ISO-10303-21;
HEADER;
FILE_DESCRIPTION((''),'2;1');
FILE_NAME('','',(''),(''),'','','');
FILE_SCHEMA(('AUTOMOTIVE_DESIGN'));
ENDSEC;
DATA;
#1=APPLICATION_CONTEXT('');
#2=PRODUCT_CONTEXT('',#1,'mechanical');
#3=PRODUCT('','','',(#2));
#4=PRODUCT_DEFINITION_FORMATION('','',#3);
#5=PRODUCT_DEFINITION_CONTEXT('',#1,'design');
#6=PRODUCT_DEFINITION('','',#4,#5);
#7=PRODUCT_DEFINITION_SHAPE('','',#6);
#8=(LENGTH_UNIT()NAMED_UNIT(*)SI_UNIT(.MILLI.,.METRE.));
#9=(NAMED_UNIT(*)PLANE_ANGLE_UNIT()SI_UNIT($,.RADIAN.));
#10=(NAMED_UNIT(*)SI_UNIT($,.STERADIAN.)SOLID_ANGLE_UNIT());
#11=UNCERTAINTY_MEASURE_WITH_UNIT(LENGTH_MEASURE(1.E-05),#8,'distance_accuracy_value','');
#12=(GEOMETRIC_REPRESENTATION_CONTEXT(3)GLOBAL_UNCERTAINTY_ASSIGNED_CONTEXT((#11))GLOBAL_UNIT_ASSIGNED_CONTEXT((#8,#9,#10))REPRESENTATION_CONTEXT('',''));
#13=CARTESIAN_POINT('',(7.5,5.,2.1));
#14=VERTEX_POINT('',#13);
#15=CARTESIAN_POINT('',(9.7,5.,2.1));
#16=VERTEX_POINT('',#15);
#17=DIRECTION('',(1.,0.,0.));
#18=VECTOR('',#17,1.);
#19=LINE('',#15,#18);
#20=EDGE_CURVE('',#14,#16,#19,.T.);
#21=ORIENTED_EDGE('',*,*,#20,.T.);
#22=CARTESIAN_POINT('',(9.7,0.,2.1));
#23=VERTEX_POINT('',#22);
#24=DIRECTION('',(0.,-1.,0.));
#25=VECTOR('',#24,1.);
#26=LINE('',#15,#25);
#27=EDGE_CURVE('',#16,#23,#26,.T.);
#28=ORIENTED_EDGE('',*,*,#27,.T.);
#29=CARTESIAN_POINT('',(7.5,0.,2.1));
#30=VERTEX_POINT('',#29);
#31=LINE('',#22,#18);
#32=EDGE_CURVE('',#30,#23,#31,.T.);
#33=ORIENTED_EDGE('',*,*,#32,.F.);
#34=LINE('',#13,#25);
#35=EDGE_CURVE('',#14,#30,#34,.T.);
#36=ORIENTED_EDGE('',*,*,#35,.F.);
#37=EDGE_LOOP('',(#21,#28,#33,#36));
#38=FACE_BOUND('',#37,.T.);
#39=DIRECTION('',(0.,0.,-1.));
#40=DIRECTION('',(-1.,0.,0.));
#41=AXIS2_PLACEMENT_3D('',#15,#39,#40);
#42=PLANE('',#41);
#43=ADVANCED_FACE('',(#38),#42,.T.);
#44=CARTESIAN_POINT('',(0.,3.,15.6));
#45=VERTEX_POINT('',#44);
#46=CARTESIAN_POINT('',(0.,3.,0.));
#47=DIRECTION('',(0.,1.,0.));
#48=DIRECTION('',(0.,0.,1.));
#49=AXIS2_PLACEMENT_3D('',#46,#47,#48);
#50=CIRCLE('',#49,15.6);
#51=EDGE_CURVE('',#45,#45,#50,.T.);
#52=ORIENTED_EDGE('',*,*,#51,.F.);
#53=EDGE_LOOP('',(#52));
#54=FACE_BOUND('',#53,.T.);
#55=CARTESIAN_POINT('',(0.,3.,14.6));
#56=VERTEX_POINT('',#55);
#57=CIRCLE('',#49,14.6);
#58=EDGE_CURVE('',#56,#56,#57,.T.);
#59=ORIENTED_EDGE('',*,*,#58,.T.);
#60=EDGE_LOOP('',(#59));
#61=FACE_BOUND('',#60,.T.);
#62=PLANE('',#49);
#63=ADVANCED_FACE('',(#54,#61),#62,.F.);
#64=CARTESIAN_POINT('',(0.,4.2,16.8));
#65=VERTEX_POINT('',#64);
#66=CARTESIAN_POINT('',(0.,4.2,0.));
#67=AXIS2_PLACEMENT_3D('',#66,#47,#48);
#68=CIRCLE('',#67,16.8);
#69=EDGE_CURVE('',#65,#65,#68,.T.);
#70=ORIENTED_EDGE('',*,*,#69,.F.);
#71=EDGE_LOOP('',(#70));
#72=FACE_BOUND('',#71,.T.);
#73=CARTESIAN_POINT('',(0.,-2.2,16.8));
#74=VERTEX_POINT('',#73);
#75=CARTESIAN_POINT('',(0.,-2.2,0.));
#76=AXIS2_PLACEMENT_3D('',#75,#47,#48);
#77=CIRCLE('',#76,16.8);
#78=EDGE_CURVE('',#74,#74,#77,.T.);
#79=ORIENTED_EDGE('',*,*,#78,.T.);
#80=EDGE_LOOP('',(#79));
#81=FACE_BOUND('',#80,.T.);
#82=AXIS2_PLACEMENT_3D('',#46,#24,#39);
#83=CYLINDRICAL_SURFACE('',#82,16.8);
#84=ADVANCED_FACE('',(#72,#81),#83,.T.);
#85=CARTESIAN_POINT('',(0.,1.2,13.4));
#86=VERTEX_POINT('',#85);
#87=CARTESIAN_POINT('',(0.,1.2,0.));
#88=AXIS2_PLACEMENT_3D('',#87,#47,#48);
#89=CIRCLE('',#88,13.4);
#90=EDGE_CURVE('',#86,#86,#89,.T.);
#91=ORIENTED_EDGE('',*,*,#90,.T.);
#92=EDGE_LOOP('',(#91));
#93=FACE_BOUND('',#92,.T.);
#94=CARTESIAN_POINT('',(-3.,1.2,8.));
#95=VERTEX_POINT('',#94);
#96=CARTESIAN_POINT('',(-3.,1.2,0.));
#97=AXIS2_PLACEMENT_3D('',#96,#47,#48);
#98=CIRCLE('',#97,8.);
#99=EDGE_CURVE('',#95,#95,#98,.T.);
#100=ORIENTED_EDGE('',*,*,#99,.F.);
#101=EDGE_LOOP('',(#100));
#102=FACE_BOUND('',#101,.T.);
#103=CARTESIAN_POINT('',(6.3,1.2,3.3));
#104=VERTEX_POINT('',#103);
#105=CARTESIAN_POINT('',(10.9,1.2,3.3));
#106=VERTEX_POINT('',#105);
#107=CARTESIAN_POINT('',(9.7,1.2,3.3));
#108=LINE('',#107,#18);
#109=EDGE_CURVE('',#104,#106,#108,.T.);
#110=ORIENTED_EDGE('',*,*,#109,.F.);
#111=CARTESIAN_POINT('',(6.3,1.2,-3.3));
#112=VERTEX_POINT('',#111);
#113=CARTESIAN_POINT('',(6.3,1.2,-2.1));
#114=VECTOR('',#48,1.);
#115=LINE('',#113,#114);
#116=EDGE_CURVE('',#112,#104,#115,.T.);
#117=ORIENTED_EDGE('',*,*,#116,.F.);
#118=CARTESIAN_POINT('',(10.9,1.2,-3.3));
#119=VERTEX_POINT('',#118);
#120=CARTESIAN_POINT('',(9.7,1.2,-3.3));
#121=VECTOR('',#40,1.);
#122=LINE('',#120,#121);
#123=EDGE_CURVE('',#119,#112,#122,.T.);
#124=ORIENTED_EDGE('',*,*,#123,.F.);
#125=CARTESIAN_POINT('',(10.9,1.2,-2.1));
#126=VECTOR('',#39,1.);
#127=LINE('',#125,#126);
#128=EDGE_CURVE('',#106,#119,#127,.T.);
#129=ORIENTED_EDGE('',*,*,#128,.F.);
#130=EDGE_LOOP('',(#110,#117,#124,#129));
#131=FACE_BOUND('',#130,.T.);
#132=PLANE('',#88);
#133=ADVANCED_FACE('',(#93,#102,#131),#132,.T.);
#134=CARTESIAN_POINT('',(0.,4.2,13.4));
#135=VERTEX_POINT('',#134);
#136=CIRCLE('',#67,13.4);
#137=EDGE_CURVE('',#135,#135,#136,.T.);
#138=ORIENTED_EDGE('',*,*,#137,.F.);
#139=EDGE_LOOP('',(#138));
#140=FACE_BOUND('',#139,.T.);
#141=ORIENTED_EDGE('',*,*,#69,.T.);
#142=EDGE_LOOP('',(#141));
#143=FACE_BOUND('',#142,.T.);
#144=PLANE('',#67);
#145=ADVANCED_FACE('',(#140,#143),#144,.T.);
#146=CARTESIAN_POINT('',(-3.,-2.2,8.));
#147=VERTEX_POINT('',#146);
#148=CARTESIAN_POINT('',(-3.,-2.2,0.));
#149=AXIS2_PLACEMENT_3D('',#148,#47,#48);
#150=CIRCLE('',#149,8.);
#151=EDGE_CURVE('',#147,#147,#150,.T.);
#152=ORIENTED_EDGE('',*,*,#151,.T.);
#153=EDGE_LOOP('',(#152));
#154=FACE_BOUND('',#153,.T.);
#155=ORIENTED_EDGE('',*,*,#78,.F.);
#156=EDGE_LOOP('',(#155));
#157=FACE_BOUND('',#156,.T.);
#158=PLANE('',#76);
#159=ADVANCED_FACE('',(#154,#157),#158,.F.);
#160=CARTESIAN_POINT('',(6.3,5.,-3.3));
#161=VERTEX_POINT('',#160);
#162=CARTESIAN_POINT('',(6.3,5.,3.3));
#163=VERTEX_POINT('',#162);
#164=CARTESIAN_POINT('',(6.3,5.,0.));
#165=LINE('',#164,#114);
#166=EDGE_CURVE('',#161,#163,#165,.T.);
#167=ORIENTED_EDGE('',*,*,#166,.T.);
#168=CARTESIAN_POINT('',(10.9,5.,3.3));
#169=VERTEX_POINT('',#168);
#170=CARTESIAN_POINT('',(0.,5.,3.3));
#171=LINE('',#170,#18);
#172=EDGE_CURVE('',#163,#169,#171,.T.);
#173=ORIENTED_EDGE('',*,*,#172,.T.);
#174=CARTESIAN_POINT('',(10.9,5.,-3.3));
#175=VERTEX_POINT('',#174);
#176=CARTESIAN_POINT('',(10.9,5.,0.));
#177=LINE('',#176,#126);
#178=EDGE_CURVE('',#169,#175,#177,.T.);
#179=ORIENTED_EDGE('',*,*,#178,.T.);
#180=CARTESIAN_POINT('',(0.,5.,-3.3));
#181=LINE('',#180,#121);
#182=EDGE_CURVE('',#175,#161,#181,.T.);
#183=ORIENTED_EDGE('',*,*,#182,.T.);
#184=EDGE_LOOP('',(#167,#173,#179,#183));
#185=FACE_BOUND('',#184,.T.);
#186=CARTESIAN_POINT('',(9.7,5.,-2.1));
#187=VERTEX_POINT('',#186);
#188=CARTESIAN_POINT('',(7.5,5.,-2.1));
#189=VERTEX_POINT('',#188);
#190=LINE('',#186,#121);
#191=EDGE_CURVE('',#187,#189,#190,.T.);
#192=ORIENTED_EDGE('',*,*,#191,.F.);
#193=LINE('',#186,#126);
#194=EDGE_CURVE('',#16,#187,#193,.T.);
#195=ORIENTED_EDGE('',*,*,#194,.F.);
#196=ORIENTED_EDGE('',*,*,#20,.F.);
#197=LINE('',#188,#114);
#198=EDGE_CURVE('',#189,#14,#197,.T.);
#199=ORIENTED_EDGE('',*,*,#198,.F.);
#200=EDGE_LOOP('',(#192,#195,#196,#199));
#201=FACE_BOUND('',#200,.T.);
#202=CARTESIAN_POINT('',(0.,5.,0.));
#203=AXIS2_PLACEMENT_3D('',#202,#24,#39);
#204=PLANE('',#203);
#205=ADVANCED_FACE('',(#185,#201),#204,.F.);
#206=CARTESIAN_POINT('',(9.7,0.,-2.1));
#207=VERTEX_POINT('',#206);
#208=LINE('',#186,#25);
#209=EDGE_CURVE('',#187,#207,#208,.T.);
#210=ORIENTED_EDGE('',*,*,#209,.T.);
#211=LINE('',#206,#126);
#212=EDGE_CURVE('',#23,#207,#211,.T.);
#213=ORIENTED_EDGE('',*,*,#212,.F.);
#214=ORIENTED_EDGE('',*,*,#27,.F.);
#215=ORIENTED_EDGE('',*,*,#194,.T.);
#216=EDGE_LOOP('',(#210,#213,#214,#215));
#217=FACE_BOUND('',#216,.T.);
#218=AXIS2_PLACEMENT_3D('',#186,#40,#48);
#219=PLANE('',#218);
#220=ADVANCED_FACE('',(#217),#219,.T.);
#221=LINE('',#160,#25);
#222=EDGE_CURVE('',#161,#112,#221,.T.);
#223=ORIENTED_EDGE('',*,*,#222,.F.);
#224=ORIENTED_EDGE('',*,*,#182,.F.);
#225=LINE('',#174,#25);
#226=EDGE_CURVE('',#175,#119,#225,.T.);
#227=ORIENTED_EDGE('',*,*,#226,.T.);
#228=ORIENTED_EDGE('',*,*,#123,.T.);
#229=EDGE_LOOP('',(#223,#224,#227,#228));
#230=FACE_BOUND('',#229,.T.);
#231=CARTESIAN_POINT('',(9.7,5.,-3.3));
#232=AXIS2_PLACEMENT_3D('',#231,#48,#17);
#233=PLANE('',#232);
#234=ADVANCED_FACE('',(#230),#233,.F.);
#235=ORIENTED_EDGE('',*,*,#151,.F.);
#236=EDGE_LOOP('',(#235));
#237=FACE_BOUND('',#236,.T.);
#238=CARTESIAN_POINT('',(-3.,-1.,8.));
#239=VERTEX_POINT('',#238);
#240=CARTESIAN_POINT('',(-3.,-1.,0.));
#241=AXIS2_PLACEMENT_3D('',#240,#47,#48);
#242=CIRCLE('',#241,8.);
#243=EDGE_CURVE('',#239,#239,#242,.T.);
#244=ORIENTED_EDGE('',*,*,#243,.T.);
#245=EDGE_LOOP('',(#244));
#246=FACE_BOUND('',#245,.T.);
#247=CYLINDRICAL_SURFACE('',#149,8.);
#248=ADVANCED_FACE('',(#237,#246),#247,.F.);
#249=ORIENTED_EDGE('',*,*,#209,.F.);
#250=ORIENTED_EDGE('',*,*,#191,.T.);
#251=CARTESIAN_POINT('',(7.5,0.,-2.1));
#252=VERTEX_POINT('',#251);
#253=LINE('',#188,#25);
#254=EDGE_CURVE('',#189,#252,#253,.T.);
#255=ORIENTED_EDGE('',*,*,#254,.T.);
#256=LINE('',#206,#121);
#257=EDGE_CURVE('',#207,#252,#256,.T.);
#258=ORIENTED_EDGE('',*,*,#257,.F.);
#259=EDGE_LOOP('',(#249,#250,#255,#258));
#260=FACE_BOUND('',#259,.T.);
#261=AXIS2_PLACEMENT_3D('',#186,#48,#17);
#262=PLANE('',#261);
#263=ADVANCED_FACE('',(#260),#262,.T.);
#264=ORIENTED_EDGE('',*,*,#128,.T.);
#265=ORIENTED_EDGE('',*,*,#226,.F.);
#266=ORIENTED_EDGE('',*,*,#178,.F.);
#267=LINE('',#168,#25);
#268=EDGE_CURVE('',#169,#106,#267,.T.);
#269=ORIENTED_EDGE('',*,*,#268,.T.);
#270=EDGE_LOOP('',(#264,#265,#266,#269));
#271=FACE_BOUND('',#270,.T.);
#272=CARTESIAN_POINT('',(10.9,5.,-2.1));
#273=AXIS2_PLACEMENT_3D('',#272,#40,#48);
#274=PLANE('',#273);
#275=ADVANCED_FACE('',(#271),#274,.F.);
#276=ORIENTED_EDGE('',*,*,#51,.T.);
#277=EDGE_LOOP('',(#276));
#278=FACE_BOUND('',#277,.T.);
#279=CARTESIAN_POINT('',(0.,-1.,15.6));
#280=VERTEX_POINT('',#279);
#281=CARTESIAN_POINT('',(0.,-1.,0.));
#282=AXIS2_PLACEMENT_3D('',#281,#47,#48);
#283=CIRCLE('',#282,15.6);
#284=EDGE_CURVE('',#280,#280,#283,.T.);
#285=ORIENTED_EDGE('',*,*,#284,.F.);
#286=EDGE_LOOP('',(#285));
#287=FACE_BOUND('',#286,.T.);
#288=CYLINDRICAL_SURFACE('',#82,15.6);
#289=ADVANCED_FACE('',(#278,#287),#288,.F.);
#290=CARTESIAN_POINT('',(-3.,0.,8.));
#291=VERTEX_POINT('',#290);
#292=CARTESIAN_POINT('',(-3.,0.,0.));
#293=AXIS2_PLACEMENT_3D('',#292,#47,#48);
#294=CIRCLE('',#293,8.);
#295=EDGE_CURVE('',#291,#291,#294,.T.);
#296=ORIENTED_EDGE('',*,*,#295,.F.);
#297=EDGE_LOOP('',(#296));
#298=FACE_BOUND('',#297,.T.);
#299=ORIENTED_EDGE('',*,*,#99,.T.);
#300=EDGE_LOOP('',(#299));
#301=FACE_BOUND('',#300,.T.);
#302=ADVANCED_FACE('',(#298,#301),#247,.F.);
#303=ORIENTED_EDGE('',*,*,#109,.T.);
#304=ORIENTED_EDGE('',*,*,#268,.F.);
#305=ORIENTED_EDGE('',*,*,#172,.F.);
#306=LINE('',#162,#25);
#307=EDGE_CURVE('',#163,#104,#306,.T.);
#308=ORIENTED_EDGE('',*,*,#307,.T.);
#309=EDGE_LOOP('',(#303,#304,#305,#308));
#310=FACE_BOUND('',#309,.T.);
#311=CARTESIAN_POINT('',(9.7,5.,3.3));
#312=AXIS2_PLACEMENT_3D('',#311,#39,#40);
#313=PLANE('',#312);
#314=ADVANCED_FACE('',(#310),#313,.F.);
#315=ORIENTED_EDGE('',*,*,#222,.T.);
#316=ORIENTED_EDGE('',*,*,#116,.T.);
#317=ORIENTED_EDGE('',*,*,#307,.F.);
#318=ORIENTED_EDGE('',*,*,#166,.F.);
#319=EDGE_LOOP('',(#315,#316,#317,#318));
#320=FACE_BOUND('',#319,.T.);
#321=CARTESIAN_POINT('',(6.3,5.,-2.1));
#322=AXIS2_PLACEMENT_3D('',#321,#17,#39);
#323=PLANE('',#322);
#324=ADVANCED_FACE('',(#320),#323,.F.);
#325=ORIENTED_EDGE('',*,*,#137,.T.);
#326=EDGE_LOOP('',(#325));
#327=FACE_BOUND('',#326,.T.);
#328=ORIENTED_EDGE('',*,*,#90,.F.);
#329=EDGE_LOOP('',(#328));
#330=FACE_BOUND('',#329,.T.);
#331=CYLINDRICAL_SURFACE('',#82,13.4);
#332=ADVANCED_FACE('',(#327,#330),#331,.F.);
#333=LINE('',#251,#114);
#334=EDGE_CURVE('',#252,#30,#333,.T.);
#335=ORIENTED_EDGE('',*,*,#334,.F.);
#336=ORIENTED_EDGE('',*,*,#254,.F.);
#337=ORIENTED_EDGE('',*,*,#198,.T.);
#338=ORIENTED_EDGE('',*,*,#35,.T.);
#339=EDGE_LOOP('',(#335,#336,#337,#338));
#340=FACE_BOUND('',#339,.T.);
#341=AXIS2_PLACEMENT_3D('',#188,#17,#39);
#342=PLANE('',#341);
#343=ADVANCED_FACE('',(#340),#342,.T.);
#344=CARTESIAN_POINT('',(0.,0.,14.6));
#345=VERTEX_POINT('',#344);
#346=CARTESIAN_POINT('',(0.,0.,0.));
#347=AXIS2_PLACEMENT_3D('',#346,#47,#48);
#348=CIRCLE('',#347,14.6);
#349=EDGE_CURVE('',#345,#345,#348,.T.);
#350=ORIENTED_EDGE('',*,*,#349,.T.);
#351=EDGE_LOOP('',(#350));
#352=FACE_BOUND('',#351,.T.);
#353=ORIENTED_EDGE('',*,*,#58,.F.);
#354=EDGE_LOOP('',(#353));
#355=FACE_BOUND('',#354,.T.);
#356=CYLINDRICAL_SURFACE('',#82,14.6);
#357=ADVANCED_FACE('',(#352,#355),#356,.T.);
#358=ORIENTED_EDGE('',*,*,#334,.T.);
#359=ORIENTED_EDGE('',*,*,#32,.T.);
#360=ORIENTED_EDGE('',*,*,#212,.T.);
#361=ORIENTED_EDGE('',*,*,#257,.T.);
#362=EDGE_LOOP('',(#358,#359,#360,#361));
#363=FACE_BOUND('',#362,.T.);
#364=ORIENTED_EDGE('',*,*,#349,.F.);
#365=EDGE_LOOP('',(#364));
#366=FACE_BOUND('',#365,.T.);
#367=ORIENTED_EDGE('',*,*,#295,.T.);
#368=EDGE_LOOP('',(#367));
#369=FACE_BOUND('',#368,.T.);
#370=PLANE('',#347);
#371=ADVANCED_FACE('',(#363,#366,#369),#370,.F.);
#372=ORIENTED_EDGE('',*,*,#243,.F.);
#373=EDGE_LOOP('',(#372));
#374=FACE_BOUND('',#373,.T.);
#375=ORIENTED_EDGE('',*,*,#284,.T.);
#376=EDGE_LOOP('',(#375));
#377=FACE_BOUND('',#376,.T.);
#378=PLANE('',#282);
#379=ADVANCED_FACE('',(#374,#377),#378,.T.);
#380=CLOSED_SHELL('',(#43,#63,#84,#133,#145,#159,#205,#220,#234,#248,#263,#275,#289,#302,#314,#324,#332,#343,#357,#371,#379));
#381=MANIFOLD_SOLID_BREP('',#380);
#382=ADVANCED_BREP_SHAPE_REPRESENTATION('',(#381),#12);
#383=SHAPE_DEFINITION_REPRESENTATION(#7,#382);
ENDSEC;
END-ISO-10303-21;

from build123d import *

# Parameters (mm, degrees)
SKETCH1_R           = 14.6
BOSS_EXTRUDE1_DEPTH = 3
SHELL2_T            = 1
SKETCH2_W           = 2.2
SKETCH2_H           = 4.2
BOSS_EXTRUDE2_DEPTH = 5
SHELL3_T            = 1.2
SKETCH3_R           = 8
CUT_EXTRUDE1_DEPTH  = 25.06075643


with BuildPart() as part:
    # Sketch1 → Boss-Extrude1 (new body)
    with BuildSketch(Plane(origin=(0, 0, 0), x_dir=(1, 0, 0), z_dir=(0, 1, 0))):
        with Locations(Location((0, 0, 0), (0, 0, 270))):
            Circle(SKETCH1_R)
    extrude(amount=BOSS_EXTRUDE1_DEPTH)

    # Shell2
    shell2_openings = [part.faces().sort_by_distance(p)[0] for p in [
        (0, 3, 0),
    ]]
    offset(amount=SHELL2_T, openings=shell2_openings, kind=Kind.INTERSECTION)

    # Sketch2 → Boss-Extrude2 (add)
    with BuildSketch(Plane(origin=(0, 0, 0), x_dir=(1, 0, 0), z_dir=(0, 1, 0))):
        with Locations((8.6, 0)):
            Rectangle(SKETCH2_W, SKETCH2_H)
    extrude(amount=BOSS_EXTRUDE2_DEPTH)

    # Shell3
    shell3_openings = [part.faces().sort_by_distance(p)[0] for p in [
        (8.6, 5, 0),
    ]]
    offset(amount=SHELL3_T, openings=shell3_openings, kind=Kind.INTERSECTION)

    # Sketch3 → Cut-Extrude1 (cut, through all)
    with BuildSketch(Plane(origin=(0, 1.2, 0), x_dir=(1, 0, 0), z_dir=(0, 1, 0))):
        with Locations(Location((-3, 0, 0), (0, 0, 270))):
            Circle(SKETCH3_R)
    extrude(amount=-CUT_EXTRUDE1_DEPTH, mode=Mode.SUBTRACT)


solid = part.part
